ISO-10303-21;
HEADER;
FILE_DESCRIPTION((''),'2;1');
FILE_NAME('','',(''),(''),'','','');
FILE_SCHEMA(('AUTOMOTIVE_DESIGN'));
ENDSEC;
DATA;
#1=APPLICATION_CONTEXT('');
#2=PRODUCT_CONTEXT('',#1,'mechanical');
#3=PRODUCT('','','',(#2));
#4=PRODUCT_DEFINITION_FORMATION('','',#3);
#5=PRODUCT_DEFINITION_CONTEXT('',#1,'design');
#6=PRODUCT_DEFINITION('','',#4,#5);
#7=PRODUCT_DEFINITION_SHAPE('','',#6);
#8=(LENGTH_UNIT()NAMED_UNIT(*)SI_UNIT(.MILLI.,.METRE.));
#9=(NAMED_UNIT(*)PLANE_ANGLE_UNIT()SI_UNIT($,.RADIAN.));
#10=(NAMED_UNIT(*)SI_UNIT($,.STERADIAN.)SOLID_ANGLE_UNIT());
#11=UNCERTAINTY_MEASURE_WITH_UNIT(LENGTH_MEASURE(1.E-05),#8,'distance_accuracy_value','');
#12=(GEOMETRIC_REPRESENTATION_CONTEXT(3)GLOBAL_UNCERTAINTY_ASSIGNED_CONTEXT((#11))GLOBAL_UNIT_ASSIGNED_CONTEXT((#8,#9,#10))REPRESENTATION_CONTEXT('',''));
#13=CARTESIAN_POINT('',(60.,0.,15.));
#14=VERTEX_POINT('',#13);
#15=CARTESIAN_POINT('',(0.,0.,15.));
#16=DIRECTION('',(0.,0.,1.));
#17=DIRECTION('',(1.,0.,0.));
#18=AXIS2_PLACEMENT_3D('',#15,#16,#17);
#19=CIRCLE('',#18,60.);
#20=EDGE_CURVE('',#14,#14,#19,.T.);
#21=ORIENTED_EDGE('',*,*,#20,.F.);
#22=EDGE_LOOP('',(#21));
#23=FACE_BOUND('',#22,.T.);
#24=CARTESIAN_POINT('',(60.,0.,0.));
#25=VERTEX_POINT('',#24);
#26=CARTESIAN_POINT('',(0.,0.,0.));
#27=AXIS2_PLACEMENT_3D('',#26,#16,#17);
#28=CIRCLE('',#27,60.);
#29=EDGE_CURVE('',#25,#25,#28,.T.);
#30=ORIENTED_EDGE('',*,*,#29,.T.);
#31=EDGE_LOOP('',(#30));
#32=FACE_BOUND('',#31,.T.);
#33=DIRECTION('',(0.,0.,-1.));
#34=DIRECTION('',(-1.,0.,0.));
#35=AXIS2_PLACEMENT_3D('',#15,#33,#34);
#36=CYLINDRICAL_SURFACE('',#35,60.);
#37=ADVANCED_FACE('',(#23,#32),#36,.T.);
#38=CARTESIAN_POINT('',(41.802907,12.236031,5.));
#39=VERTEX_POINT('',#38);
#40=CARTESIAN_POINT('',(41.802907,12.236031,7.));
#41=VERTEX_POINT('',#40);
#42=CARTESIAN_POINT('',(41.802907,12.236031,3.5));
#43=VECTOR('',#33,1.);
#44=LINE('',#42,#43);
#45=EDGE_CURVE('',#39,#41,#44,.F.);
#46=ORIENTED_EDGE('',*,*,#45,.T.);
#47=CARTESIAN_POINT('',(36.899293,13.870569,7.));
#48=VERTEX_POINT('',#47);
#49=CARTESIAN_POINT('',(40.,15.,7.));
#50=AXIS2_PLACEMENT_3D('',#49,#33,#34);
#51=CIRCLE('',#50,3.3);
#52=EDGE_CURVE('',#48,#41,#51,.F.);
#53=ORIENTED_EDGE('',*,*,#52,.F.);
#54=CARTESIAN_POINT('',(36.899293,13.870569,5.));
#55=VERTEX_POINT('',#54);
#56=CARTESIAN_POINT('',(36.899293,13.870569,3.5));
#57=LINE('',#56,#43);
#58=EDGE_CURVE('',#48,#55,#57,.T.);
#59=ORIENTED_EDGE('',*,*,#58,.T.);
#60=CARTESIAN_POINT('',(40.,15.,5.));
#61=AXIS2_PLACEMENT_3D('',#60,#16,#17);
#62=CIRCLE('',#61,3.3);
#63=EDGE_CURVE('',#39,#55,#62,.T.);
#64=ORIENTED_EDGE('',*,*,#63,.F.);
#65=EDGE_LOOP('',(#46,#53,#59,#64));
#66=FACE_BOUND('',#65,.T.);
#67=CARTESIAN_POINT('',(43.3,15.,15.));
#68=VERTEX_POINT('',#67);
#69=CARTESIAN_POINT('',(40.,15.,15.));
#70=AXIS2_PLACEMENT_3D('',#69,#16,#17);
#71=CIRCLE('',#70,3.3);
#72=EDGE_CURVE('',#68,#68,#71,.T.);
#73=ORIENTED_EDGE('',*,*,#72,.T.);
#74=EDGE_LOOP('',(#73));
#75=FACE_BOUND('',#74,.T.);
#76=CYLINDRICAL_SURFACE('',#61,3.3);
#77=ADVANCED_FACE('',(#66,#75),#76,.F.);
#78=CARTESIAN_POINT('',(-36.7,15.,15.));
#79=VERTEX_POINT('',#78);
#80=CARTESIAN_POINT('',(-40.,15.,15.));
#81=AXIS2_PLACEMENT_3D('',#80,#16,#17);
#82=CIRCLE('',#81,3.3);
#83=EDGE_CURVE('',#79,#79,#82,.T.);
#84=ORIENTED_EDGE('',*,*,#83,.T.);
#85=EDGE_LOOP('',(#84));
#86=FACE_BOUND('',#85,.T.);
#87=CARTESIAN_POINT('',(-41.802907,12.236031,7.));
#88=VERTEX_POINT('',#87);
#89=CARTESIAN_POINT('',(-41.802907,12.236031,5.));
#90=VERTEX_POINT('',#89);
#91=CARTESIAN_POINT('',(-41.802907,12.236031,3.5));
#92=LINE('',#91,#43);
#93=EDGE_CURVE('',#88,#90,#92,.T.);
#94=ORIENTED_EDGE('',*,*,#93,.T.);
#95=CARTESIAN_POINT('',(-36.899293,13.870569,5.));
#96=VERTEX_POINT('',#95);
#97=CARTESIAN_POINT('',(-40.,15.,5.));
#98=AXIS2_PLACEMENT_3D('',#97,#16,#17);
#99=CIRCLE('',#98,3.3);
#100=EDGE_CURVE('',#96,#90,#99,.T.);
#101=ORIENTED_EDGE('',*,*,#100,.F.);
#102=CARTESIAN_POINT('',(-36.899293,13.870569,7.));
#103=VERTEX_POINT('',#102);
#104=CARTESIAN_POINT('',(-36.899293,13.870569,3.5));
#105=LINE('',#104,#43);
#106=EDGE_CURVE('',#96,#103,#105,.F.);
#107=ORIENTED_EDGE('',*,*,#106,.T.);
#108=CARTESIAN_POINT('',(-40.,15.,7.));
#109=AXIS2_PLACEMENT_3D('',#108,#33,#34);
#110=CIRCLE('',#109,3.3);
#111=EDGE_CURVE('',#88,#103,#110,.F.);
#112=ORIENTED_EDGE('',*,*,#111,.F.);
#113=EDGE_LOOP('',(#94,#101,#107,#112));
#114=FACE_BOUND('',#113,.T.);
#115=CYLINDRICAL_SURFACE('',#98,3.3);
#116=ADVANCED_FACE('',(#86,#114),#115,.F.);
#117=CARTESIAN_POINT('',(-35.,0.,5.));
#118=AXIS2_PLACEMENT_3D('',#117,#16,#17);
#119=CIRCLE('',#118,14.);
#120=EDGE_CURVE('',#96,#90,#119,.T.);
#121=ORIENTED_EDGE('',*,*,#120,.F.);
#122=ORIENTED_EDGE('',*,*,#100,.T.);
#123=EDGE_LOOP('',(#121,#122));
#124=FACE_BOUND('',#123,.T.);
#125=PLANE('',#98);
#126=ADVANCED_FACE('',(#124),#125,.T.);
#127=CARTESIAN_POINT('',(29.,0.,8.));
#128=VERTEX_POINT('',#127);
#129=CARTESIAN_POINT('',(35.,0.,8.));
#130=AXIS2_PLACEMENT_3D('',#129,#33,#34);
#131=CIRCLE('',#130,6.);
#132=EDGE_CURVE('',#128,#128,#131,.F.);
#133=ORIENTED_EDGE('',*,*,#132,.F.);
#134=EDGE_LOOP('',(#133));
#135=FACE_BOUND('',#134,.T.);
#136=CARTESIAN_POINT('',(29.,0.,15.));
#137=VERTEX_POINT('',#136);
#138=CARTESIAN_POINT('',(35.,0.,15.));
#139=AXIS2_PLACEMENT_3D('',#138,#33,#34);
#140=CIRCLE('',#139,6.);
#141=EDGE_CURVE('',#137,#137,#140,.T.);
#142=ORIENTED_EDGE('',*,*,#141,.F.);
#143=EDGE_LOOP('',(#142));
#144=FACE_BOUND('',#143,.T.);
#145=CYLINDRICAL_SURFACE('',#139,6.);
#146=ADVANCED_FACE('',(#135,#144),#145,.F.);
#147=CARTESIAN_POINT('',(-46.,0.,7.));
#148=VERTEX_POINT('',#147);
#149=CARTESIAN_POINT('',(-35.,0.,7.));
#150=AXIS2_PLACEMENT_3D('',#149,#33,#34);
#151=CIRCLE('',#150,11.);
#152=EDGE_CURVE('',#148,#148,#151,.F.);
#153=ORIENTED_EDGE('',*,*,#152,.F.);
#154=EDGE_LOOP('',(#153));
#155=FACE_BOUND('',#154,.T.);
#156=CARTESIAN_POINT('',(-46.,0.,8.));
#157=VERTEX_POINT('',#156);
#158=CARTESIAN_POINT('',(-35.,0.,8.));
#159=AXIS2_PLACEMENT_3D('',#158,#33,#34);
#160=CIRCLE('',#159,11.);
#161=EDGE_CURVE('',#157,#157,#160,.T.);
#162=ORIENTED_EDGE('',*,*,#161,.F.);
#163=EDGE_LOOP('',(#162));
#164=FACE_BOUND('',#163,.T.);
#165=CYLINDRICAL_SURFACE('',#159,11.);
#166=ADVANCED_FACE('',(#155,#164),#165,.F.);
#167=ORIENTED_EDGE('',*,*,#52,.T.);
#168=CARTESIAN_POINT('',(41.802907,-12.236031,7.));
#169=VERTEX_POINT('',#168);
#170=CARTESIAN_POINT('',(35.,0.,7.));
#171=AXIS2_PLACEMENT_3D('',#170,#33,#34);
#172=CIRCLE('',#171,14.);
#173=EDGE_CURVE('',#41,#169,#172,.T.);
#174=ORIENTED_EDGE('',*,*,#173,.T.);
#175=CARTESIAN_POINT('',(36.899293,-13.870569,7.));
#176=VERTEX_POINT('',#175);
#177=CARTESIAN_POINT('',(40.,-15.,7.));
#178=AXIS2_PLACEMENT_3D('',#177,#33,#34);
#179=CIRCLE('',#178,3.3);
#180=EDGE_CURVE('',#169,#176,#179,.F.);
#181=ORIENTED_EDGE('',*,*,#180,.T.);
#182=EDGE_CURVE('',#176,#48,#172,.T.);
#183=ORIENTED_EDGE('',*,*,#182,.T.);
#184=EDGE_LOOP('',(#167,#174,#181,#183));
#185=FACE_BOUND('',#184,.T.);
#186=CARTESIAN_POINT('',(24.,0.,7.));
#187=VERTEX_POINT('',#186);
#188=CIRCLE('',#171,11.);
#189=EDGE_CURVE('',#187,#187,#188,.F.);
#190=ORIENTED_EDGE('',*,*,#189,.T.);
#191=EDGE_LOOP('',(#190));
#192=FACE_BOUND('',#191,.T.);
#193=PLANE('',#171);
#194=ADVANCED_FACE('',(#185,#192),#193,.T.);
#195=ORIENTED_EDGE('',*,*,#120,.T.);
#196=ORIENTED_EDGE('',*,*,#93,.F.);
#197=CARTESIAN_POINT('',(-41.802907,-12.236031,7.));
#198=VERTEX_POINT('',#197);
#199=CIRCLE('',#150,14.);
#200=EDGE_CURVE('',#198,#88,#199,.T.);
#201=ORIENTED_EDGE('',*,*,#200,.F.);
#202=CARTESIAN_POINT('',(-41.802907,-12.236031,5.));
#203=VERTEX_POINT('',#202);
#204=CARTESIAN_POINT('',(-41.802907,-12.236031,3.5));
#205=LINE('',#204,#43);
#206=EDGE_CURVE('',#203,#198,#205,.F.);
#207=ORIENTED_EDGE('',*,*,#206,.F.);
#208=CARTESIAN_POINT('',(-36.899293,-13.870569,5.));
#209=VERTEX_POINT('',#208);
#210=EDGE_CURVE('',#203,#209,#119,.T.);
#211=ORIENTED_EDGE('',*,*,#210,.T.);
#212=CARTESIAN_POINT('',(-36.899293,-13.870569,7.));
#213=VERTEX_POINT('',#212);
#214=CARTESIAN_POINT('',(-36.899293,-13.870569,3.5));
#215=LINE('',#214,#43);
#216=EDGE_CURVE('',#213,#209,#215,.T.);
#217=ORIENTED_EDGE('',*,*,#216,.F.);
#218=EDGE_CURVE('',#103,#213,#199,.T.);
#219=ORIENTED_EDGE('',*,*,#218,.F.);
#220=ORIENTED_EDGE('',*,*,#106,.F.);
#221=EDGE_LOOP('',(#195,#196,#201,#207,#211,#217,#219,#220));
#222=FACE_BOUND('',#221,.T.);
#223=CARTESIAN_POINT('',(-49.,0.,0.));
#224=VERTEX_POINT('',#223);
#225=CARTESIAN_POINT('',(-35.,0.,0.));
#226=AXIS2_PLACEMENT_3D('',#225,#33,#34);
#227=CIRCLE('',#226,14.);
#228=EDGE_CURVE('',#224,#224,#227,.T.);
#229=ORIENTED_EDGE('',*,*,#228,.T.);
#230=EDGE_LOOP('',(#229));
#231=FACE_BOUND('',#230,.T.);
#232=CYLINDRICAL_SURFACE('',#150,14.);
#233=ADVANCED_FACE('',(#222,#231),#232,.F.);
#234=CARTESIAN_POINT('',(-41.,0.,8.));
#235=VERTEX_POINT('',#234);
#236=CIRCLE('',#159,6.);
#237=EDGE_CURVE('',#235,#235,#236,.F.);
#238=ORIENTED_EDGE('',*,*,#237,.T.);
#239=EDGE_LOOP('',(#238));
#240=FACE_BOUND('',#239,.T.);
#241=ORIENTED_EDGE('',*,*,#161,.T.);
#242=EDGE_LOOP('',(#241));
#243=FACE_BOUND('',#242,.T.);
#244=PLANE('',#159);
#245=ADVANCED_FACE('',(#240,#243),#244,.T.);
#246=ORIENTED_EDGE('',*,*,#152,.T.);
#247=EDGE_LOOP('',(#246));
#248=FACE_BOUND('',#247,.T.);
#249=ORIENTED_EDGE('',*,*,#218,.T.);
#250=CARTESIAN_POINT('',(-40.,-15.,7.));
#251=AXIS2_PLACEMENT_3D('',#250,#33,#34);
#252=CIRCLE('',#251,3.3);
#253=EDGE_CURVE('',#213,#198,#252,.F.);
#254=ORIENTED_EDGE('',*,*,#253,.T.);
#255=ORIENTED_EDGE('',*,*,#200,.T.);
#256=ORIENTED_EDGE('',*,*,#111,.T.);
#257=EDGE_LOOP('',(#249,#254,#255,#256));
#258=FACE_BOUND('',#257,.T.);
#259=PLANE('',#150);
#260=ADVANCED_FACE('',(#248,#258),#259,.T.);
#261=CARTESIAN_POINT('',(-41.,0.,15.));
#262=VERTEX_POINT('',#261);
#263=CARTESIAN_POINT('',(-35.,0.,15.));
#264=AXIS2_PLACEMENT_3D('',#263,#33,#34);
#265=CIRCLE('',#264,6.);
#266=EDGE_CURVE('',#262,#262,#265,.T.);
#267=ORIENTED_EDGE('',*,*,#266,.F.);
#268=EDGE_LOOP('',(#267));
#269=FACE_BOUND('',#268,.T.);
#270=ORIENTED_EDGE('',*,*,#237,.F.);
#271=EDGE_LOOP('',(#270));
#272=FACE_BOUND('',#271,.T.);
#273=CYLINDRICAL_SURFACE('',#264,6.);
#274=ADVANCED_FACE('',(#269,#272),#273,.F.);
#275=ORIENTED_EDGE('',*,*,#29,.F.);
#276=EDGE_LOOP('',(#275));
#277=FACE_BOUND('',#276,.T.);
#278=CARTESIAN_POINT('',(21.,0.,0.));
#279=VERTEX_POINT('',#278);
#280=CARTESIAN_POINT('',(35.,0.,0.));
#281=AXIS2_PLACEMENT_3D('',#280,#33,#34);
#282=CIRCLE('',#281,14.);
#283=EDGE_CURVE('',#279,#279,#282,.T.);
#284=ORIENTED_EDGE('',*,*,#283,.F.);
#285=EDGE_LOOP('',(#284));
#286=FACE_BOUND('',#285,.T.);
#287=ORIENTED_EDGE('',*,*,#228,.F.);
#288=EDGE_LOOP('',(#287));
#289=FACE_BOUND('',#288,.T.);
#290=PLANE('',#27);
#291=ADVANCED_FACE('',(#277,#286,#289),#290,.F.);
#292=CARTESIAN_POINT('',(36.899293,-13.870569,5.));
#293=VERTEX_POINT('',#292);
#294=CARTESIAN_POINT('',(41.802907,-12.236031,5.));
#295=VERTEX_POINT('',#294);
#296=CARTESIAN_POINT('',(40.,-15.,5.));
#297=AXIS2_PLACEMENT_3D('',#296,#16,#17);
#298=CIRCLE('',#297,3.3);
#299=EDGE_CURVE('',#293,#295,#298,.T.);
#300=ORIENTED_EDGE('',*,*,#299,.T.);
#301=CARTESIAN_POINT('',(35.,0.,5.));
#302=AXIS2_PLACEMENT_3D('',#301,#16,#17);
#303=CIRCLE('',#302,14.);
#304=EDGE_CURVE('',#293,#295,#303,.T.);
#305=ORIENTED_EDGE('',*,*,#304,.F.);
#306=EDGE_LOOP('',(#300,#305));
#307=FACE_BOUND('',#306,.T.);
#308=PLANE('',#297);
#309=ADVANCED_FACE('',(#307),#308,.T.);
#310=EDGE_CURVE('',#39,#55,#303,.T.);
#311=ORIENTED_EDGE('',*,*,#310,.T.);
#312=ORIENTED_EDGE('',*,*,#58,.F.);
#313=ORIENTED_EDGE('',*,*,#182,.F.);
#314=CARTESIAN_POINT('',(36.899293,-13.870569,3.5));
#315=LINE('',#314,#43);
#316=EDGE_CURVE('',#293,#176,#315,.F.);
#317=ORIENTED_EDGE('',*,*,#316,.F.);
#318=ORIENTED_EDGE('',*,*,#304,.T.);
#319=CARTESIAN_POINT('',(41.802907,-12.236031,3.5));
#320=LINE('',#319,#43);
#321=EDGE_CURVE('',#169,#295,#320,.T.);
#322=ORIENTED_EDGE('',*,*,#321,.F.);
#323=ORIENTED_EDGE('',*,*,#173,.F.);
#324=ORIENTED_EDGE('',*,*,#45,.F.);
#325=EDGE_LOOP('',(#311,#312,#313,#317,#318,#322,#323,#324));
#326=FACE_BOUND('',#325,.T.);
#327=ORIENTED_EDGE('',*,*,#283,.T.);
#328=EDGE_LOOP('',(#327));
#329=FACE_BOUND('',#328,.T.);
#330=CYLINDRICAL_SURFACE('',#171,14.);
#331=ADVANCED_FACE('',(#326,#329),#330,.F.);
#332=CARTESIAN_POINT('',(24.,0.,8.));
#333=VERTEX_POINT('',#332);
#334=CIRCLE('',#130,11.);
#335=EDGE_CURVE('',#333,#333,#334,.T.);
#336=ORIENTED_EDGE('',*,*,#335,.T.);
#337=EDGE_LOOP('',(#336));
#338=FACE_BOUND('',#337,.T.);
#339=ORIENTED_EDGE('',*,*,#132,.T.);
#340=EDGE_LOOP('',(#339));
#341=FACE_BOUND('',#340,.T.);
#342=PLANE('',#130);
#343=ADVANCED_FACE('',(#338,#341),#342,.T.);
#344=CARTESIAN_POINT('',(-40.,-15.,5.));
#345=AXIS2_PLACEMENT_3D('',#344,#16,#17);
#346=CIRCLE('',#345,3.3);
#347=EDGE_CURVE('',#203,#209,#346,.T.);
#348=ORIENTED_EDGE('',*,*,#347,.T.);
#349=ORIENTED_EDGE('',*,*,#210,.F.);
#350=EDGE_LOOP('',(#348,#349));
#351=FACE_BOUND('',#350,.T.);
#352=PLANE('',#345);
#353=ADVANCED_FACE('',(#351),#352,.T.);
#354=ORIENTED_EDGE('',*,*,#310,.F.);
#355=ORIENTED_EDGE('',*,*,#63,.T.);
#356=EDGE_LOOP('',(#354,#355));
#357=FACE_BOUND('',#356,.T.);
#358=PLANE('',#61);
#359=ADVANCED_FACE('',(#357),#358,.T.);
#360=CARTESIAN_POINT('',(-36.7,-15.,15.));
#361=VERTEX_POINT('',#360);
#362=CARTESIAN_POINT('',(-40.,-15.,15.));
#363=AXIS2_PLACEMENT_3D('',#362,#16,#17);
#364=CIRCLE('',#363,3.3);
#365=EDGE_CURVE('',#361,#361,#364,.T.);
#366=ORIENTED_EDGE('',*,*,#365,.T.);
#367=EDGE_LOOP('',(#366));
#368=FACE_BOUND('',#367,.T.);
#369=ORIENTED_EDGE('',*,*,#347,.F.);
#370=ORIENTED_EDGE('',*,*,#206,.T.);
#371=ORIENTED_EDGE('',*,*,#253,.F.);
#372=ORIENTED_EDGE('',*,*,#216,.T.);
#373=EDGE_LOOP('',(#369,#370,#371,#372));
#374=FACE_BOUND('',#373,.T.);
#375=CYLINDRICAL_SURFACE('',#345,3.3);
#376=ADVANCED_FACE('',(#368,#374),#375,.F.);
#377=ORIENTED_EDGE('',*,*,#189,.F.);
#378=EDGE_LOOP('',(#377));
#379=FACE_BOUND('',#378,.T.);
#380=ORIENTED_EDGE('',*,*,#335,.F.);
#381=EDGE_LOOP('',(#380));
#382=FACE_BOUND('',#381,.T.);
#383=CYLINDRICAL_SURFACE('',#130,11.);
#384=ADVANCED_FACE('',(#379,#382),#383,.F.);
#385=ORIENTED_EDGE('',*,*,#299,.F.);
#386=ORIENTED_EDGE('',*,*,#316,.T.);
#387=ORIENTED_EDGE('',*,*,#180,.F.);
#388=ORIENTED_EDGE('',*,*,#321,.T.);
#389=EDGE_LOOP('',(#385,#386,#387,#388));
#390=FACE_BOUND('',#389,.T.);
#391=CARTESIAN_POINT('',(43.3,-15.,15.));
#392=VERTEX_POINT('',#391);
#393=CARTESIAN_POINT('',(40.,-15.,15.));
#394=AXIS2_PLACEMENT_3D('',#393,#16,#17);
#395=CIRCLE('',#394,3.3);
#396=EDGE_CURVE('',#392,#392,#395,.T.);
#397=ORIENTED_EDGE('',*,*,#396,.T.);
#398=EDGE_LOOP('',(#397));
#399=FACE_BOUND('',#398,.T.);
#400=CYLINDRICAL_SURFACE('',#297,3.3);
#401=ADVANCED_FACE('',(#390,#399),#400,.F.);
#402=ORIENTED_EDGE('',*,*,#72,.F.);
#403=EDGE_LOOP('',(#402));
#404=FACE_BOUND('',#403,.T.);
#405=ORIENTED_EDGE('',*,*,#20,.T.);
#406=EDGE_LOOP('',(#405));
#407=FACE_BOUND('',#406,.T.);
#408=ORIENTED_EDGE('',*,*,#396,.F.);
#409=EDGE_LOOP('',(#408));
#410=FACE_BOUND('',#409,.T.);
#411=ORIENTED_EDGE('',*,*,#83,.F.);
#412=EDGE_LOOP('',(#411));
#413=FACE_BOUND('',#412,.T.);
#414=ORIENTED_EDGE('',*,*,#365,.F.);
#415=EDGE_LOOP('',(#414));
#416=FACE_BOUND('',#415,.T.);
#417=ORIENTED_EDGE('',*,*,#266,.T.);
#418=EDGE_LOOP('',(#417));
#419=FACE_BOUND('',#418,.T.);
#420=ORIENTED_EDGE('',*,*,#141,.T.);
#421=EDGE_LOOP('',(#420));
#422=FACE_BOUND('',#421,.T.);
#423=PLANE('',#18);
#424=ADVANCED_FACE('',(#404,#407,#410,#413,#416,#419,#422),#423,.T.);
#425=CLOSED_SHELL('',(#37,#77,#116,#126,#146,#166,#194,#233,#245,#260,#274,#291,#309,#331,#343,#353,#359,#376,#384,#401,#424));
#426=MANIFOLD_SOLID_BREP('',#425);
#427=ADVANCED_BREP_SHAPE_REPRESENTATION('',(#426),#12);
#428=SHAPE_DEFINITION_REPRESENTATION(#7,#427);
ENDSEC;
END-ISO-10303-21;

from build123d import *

# Parameters (mm, degrees)
SKETCH_1_R          = 60
EXTRUDE_1_DEPTH     = 15
SKETCH_2_R          = 6
CUT_EXTRUDE_1_DEPTH = 87.168439698
SKETCH_3_R          = 11
CUT_EXTRUDE_2_DEPTH = 8
SKETCH_5_R          = 3.3
CUT_EXTRUDE_4_DEPTH = 10
SKETCH_6_R          = 14
CUT_EXTRUDE_5_DEPTH = 7


with BuildPart() as part:
    # 草图1 → 凸台-拉伸1 (new body)
    with BuildSketch(Plane.XY):
        Circle(SKETCH_1_R)
    extrude(amount=EXTRUDE_1_DEPTH)

    # 草图2 → 切除-拉伸1 (cut, through all)
    with BuildSketch(Plane(origin=(0, 0, 0), x_dir=(-1, 0, 0), z_dir=(0, 0, -1))):
        with Locations((-35, 0)):
            Circle(SKETCH_2_R)
        with Locations((35, 0)):
            Circle(SKETCH_2_R)
    extrude(amount=-CUT_EXTRUDE_1_DEPTH, mode=Mode.SUBTRACT)

    # 草图3 → 切除-拉伸2 (cut)
    with BuildSketch(Plane(origin=(0, 0, 0), x_dir=(-1, 0, 0), z_dir=(0, 0, -1))):
        with Locations((35, 0)):
            Circle(SKETCH_3_R)
        with Locations((-35, 0)):
            Circle(SKETCH_3_R)
    extrude(amount=-CUT_EXTRUDE_2_DEPTH, mode=Mode.SUBTRACT)

    # 草图5 → 切除-拉伸4 (cut)
    with BuildSketch(Plane.XY.offset(15)):
        with Locations((40, 15)):
            Circle(SKETCH_5_R)
        with Locations((40, -15)):
            Circle(SKETCH_5_R)
        with Locations((-40, -15)):
            Circle(SKETCH_5_R)
        with Locations((-40, 15)):
            Circle(SKETCH_5_R)
    extrude(amount=-CUT_EXTRUDE_4_DEPTH, mode=Mode.SUBTRACT)

    # 草图6 → 切除-拉伸5 (cut)
    with BuildSketch(Plane(origin=(0, 0, 0), x_dir=(-1, 0, 0), z_dir=(0, 0, -1))):
        with Locations((35, 0)):
            Circle(SKETCH_6_R)
        with Locations((-35, 0)):
            Circle(SKETCH_6_R)
    extrude(amount=-CUT_EXTRUDE_5_DEPTH, mode=Mode.SUBTRACT)


solid = part.part
